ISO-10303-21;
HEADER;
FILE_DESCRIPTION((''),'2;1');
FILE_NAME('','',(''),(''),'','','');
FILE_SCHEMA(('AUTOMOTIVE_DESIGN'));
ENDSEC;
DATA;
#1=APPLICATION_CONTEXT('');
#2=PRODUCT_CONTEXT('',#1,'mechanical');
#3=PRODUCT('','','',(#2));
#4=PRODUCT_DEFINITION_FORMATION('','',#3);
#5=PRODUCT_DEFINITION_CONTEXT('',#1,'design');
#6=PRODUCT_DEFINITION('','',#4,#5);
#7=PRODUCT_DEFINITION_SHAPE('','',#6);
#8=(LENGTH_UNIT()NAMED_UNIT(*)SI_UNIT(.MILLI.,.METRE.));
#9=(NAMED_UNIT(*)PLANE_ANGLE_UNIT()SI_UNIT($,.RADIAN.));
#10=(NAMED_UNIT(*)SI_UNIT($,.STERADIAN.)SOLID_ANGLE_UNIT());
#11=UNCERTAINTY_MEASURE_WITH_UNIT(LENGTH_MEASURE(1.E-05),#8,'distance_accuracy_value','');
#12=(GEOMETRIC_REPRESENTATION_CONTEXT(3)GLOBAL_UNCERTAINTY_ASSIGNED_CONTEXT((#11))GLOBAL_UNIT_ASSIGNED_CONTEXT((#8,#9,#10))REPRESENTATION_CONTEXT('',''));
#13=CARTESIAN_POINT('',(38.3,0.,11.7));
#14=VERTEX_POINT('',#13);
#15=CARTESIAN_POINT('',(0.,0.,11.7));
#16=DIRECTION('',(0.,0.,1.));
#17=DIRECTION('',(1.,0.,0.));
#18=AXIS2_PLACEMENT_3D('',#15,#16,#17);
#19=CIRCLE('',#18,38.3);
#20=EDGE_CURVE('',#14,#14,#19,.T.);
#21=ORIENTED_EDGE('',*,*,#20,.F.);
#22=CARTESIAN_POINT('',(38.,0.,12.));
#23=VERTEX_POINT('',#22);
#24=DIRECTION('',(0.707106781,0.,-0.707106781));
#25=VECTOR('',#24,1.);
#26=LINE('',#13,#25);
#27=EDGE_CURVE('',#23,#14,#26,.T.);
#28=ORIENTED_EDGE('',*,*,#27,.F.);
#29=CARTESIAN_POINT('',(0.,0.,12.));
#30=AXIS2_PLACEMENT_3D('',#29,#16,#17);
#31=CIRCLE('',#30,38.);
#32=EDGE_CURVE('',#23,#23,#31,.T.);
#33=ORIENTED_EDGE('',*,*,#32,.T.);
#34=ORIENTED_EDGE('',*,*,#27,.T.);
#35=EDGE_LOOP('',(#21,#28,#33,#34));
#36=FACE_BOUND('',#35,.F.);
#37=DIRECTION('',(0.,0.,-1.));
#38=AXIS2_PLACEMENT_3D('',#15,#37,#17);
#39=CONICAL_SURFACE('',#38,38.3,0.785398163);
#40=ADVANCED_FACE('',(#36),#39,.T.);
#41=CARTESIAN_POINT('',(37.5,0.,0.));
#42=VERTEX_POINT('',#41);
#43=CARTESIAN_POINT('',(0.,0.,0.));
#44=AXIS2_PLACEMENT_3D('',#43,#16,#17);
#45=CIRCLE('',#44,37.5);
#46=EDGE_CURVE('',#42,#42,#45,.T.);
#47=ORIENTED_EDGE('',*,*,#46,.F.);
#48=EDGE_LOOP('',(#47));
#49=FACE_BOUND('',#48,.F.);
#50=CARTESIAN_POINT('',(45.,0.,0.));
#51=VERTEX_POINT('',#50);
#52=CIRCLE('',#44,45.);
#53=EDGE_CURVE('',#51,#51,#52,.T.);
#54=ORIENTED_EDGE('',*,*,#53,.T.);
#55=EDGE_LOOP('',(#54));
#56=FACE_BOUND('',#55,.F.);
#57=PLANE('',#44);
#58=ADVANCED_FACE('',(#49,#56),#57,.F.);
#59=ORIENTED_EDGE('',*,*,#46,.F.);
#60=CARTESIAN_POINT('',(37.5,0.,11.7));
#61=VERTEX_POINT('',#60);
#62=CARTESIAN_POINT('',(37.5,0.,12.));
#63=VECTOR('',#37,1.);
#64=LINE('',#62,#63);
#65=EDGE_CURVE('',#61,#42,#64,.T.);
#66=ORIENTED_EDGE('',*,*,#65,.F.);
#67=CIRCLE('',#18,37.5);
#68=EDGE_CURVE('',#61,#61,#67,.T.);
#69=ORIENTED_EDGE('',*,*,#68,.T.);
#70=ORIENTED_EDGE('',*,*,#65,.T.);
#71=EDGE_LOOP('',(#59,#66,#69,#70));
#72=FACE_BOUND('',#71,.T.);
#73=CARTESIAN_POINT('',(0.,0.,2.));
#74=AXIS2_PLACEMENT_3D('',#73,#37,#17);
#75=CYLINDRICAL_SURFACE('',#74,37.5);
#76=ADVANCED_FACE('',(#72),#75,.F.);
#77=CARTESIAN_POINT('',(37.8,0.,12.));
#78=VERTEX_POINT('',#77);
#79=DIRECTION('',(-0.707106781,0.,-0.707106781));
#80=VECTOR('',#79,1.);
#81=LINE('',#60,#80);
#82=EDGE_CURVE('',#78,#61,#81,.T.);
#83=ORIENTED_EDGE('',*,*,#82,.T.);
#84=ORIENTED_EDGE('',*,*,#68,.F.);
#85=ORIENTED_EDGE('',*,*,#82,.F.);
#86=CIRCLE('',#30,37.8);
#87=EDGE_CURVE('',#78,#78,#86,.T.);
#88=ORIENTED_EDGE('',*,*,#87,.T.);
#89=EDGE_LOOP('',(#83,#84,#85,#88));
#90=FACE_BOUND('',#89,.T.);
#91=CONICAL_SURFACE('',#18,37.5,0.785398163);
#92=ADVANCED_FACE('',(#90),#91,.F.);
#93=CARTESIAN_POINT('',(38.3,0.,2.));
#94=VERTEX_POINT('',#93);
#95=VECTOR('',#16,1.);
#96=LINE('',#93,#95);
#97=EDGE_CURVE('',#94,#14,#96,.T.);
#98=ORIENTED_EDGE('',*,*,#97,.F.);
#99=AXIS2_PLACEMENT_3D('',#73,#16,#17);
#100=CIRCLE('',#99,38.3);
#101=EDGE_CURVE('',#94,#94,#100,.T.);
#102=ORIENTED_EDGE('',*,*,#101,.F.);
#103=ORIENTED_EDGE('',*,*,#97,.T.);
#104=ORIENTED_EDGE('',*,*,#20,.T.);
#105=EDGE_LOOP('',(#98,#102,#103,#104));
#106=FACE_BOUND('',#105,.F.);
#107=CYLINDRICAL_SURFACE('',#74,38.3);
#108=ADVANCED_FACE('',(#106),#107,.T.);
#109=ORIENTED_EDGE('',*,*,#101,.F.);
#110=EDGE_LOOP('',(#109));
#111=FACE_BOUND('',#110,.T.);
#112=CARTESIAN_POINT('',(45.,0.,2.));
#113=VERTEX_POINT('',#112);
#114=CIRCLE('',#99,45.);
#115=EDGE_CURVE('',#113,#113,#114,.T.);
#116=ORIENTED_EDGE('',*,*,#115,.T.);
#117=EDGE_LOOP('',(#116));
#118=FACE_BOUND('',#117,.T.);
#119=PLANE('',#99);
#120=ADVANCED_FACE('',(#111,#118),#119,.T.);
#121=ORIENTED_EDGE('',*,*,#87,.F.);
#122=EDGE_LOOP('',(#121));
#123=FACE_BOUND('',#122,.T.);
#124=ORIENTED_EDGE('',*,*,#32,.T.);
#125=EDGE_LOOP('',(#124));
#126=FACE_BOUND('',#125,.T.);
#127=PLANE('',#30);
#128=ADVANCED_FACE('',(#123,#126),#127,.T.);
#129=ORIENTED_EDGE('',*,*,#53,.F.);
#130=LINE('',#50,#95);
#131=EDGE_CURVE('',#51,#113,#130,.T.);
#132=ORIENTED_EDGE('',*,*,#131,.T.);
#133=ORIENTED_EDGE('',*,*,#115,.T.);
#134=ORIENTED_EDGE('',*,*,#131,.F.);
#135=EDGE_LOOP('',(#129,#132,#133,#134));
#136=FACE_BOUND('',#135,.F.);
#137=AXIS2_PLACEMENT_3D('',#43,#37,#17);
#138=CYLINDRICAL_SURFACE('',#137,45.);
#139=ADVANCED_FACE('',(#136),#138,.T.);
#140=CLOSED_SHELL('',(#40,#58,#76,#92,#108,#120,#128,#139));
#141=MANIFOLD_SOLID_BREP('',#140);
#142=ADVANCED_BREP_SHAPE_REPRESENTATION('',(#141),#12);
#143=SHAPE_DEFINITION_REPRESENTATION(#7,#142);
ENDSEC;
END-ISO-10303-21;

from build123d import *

# Parameters (mm, degrees)
SKETCH_R        = 45
SKETCH_R_2      = 37.5
PAD_DEPTH       = 2
SKETCH001_R     = 38.3
SKETCH001_R_2   = 37.5
PAD001_DEPTH    = 10
CHAMFER_SIZE    = 0.3
CHAMFER001_SIZE = 0.3


with BuildPart() as part:
    # Sketch → Pad (new body)
    with BuildSketch(Plane.XY):
        Circle(SKETCH_R)
        Circle(SKETCH_R_2, mode=Mode.SUBTRACT)
    extrude(amount=PAD_DEPTH)

    # Sketch001 (on Face4 of Pad) → Pad001 (join)
    with BuildSketch(Plane.XY.offset(2)):
        Circle(SKETCH001_R)
        Circle(SKETCH001_R_2, mode=Mode.SUBTRACT)
    extrude(amount=PAD001_DEPTH)

    # Chamfer
    chamfer_edges = [part.edges().sort_by_distance(p)[0] for p in [
        (-37.5, 0, 12),
    ]]
    chamfer(chamfer_edges, length=CHAMFER_SIZE)

    # Chamfer001
    chamfer001_edges = [part.edges().sort_by_distance(p)[0] for p in [
        (-38.3, 0, 12),
    ]]
    chamfer(chamfer001_edges, length=CHAMFER001_SIZE)


solid = part.part
